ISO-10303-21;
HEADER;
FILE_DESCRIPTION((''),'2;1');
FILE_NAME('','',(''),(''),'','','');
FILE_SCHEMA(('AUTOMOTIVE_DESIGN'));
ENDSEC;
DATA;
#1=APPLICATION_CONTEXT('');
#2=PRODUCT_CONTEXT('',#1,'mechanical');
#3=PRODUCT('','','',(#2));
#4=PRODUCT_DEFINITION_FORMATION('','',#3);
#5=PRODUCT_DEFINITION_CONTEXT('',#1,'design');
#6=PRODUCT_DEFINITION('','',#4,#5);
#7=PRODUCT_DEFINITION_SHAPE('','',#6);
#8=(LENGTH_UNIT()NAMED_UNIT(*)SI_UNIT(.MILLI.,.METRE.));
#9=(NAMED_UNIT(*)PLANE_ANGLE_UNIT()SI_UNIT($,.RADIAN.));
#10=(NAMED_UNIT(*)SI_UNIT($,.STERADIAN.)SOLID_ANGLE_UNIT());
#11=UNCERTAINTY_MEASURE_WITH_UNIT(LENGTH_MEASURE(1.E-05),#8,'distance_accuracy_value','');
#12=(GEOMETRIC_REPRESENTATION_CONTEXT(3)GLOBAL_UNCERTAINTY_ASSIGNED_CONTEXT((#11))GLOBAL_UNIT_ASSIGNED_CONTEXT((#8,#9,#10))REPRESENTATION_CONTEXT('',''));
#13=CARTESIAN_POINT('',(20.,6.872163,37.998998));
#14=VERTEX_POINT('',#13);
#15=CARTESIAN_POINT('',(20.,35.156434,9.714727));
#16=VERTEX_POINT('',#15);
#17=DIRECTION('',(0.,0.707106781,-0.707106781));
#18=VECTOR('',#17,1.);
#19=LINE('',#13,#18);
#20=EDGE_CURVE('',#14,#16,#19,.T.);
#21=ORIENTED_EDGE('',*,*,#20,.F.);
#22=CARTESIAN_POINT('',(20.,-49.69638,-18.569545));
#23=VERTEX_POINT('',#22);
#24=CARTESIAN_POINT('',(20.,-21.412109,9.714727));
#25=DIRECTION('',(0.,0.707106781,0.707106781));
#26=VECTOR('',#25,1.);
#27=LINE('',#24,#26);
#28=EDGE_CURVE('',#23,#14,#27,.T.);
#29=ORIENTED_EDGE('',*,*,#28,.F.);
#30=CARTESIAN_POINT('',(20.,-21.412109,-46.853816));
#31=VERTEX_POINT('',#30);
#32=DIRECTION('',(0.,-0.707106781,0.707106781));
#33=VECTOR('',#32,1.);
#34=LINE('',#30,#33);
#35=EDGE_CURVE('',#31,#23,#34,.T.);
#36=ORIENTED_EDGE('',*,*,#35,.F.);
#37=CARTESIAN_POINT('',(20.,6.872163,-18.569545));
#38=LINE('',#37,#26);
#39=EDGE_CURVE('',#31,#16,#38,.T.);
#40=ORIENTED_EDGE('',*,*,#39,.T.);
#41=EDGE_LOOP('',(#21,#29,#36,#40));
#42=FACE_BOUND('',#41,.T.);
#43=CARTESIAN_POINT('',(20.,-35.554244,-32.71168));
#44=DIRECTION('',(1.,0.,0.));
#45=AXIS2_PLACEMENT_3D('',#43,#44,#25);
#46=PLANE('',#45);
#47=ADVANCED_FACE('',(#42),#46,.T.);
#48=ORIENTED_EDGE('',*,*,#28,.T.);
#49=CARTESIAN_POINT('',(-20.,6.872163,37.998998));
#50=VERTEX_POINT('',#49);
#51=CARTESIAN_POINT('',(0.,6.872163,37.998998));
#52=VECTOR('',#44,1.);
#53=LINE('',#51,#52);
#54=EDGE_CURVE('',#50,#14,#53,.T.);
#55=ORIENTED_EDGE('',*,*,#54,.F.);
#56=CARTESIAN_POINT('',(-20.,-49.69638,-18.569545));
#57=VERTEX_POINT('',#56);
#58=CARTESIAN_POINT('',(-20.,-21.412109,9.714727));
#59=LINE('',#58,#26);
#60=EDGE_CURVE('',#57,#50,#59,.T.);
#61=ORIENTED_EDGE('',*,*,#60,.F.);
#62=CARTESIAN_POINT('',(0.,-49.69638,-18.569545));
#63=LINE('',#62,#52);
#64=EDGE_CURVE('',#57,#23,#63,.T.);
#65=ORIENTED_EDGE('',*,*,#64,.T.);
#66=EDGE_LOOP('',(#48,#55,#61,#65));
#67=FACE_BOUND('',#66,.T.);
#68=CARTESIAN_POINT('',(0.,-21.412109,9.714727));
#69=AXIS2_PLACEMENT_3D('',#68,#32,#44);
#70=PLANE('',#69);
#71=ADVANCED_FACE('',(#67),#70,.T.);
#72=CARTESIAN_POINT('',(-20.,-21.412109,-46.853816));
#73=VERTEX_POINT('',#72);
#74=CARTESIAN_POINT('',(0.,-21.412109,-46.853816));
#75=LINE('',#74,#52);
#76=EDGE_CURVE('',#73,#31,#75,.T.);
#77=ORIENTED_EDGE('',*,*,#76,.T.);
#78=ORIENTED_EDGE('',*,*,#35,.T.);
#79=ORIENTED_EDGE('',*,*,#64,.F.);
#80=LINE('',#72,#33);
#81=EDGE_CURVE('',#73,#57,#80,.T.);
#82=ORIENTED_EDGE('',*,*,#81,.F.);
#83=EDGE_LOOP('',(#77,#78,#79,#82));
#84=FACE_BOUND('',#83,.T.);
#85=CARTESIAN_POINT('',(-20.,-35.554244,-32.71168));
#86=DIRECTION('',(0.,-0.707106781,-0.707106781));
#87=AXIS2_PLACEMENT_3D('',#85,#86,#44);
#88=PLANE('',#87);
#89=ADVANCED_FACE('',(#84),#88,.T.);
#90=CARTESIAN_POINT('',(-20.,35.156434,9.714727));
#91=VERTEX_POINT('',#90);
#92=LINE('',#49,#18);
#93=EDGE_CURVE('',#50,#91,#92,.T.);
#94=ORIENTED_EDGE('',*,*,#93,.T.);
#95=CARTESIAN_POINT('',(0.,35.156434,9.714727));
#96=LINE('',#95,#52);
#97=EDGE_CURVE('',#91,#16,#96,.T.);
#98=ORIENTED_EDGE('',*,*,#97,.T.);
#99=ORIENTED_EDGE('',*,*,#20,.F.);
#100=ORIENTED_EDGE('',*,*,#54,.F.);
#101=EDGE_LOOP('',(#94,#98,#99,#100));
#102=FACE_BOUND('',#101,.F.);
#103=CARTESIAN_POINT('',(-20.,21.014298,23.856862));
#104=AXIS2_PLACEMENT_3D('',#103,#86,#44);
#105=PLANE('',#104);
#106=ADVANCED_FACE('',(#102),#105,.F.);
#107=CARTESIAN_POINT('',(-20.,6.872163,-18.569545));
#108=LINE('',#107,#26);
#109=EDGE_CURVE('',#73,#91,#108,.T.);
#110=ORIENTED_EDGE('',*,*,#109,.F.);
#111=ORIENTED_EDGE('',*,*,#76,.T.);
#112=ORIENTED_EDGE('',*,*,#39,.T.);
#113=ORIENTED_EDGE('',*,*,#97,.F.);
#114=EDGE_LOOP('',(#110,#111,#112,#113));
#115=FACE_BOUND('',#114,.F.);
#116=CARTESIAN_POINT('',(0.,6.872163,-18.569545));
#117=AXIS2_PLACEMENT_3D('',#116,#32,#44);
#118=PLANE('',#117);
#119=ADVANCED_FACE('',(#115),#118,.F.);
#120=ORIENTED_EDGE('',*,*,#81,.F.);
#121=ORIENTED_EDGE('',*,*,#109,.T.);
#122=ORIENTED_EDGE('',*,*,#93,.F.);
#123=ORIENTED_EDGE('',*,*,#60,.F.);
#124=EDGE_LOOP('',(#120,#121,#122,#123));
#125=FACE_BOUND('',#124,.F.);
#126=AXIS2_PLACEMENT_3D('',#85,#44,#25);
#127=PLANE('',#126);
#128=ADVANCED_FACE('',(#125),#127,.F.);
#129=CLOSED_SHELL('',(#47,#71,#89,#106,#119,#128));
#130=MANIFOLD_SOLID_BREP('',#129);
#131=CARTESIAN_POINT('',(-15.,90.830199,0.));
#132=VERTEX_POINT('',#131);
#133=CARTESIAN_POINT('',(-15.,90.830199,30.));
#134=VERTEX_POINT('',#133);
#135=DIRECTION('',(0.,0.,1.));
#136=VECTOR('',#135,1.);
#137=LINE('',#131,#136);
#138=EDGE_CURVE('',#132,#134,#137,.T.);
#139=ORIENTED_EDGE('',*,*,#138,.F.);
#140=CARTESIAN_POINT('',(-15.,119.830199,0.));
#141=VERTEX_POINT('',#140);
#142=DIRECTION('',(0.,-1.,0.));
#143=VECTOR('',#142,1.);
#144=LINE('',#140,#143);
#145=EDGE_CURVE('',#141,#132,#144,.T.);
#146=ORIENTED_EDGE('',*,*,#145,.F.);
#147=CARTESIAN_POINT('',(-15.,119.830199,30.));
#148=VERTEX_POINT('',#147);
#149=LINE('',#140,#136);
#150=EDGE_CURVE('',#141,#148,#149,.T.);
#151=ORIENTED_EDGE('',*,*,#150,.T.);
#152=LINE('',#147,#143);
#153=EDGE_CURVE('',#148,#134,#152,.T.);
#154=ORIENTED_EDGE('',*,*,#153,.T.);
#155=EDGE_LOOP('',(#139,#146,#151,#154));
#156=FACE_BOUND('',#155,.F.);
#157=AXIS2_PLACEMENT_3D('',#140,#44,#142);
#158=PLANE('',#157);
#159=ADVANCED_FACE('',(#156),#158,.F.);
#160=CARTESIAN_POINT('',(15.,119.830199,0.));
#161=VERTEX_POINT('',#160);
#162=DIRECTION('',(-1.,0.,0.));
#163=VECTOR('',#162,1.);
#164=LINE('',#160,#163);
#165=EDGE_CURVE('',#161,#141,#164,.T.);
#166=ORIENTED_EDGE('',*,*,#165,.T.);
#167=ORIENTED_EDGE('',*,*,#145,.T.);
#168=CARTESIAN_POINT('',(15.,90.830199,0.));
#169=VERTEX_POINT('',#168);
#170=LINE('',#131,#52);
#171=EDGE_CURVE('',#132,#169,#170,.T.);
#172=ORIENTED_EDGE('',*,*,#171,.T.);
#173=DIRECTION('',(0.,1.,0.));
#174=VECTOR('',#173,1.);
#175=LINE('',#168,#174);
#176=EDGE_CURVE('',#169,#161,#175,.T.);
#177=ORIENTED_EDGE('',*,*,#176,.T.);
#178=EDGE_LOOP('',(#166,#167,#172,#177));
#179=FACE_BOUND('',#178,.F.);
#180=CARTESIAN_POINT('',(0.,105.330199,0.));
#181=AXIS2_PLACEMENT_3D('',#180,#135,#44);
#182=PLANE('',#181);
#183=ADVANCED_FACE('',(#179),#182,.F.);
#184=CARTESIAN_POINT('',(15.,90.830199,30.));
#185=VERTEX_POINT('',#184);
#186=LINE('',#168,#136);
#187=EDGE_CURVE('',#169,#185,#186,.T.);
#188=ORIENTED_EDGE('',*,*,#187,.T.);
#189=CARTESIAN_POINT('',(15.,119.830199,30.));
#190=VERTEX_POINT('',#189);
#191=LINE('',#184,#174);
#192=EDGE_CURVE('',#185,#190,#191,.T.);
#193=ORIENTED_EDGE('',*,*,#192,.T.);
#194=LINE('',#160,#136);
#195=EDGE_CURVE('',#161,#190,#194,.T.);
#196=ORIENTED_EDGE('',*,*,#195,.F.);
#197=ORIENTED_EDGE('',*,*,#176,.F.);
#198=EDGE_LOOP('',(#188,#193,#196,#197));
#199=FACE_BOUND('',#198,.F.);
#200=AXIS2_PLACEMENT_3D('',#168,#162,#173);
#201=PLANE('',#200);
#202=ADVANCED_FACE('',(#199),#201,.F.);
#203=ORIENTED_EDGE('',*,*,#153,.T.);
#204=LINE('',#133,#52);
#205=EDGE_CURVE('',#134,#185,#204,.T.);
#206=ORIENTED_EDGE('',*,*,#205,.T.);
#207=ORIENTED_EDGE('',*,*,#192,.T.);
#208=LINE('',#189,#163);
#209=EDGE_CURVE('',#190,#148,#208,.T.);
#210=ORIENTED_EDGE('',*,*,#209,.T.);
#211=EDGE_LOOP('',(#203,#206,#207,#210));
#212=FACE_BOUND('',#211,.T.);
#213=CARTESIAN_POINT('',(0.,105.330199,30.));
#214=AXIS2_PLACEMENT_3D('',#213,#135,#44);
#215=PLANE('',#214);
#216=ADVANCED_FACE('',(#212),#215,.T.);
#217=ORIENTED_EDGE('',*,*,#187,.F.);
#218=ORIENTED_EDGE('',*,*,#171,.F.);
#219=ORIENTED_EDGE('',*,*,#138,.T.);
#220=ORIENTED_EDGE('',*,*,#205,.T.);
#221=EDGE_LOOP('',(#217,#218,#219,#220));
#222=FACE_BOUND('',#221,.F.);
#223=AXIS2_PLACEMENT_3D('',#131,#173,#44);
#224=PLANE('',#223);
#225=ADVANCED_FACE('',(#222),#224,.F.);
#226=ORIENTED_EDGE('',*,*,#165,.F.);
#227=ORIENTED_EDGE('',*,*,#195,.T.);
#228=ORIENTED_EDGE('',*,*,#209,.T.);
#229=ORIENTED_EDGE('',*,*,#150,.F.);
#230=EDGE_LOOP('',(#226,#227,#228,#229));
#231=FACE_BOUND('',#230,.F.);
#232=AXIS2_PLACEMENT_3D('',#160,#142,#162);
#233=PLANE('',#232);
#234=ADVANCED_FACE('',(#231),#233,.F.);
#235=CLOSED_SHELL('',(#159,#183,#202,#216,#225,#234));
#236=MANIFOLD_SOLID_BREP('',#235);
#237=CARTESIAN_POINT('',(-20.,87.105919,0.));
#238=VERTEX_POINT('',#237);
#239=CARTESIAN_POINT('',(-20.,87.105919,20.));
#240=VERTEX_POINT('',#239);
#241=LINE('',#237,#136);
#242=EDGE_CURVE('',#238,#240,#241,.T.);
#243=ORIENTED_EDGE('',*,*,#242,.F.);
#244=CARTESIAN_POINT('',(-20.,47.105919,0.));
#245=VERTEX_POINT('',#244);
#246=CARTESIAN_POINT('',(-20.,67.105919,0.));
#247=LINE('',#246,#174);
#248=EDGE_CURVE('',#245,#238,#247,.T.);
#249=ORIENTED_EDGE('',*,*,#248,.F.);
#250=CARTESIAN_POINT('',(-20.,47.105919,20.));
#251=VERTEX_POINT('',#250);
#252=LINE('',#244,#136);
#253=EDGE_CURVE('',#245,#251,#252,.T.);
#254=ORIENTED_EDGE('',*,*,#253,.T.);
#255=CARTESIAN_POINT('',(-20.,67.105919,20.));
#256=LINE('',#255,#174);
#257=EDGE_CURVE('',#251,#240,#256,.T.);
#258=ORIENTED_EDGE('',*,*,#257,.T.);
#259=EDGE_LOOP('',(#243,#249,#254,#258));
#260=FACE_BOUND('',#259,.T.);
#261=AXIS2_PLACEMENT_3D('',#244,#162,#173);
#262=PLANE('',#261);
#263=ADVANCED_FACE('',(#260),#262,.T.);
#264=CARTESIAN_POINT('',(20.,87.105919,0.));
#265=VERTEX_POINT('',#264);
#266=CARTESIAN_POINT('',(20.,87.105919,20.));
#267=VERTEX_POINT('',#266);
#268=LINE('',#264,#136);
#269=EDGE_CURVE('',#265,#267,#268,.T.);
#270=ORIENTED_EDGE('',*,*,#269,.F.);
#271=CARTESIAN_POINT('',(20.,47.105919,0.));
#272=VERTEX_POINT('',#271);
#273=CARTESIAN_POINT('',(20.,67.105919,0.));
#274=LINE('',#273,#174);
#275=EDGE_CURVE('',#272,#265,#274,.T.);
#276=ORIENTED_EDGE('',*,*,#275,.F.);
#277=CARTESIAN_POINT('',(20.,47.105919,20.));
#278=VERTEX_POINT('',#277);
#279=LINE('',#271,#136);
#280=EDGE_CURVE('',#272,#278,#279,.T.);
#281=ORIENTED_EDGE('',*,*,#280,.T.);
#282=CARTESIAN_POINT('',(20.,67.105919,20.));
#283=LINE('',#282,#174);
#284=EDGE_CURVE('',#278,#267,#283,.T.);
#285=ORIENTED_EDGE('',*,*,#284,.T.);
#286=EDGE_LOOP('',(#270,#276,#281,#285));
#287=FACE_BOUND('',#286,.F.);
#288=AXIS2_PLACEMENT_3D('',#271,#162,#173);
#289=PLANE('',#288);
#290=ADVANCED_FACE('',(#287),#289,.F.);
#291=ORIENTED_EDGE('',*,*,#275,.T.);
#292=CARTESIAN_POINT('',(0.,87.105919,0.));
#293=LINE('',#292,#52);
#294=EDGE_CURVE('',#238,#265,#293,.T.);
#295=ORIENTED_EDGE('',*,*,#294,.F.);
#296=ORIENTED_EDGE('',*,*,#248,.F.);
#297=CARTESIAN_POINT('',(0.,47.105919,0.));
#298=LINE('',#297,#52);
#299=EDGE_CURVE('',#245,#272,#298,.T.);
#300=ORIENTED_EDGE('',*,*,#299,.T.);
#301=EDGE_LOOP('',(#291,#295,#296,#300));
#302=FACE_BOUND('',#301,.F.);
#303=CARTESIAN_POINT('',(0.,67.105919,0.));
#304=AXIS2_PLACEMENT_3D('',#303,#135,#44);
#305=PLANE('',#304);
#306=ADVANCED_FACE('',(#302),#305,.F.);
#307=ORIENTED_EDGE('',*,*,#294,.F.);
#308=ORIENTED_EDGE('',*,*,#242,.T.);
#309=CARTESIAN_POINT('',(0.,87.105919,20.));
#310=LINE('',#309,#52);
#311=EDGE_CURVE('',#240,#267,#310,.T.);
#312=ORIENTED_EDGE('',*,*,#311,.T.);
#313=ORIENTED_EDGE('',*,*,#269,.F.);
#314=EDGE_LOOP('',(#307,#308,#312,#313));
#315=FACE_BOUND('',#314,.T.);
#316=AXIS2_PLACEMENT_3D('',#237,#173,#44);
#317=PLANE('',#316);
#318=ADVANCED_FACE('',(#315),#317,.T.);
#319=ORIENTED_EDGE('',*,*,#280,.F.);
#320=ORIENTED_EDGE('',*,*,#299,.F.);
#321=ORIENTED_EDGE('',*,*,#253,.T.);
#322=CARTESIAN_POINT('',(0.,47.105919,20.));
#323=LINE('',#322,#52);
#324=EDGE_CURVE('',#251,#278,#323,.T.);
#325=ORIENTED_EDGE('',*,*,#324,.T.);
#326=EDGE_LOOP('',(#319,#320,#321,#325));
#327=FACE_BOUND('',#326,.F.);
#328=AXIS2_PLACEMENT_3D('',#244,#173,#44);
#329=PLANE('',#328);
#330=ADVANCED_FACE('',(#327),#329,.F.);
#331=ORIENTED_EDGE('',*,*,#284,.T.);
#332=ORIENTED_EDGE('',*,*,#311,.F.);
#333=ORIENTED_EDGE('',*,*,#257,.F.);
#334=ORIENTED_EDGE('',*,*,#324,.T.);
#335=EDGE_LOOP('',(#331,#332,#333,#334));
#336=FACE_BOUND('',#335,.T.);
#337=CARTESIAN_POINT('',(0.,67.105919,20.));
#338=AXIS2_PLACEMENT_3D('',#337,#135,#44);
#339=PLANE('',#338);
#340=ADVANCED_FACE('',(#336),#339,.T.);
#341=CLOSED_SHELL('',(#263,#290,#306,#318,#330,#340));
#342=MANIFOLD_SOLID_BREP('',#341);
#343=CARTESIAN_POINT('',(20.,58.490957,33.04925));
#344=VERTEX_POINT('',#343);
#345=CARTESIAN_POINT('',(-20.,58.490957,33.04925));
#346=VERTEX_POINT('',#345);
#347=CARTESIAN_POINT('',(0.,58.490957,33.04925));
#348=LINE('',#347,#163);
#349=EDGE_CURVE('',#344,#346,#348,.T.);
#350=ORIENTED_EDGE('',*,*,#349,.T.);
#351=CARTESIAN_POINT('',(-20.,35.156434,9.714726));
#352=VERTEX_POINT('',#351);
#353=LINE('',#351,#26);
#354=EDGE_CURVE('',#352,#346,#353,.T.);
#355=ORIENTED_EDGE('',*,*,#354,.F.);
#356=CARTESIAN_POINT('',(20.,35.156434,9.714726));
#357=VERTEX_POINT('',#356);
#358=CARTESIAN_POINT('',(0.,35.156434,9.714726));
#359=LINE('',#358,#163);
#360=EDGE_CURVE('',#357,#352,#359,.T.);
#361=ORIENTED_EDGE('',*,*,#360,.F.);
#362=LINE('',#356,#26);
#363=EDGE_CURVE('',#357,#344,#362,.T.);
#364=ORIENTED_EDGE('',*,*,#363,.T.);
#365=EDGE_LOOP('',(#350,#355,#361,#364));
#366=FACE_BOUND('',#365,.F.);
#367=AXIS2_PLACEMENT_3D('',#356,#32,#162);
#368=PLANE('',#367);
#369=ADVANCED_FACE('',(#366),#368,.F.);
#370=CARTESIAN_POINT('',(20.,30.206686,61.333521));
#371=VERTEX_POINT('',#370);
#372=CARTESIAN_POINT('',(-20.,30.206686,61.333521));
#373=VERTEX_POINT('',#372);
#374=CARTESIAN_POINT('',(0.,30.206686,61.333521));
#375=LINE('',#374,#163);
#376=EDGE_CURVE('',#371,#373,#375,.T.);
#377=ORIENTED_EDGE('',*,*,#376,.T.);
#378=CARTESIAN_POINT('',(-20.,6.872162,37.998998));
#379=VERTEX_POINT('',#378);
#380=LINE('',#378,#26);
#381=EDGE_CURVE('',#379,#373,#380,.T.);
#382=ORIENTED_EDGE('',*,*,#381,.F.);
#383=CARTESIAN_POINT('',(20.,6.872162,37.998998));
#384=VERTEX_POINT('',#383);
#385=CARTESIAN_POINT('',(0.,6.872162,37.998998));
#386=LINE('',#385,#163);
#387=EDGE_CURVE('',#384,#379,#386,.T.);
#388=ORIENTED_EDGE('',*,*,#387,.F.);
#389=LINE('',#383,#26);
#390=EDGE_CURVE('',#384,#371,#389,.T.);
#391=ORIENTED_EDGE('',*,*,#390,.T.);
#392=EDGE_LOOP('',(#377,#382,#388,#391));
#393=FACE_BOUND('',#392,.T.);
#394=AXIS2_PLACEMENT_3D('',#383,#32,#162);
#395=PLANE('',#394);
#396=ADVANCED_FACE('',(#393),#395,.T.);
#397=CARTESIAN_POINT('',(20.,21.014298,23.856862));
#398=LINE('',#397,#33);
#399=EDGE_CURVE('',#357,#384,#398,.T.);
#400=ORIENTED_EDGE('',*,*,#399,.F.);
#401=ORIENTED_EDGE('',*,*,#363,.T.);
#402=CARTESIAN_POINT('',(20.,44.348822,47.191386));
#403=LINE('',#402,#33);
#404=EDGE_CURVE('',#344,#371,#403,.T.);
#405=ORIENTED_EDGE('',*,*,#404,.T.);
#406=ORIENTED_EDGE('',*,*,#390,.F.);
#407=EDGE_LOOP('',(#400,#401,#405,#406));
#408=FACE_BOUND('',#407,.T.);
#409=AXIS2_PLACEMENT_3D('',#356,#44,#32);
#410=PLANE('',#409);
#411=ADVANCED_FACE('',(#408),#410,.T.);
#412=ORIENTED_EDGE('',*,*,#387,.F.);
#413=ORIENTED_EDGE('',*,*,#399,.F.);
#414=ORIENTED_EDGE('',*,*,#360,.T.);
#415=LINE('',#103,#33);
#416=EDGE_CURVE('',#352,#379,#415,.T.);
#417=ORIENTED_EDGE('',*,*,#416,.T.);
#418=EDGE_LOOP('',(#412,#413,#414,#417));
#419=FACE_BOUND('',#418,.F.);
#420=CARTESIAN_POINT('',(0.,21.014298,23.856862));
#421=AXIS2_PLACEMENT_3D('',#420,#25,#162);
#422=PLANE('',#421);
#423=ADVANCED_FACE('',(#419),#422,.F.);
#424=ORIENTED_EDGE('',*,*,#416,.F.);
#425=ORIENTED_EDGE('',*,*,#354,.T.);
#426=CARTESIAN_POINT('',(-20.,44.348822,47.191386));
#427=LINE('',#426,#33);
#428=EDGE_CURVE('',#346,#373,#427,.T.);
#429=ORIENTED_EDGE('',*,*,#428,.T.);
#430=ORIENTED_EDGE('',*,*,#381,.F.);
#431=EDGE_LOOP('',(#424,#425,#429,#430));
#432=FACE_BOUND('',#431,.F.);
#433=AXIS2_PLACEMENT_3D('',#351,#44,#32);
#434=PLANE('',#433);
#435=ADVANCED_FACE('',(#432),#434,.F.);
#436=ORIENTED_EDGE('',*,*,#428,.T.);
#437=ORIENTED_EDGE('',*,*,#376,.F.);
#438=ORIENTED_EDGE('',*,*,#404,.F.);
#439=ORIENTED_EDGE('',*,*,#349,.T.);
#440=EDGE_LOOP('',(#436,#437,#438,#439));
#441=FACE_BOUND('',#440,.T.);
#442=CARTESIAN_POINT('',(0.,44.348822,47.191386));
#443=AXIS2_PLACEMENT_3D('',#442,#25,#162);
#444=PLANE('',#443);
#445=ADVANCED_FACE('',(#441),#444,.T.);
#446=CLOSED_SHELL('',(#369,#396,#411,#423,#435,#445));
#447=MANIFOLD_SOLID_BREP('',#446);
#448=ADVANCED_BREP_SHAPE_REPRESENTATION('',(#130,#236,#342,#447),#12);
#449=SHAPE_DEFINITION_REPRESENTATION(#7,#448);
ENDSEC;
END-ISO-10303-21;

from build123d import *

# Parameters (mm, degrees)
F3_W      = 40
F3_H      = 80
F4_DEPTH  = 20
F5_W      = 40
F5_H      = 40
F6_DEPTH  = 20
F4_FACE_W = 40
F4_FACE_H = 40
F7_DEPTH  = 33
F9_DEPTH  = 30


with BuildPart() as f4:
    # F3 (on face) → F4 (new body, symmetric)
    with BuildSketch(Plane(origin=(0, -1.421282, 1.421282), x_dir=(1, 0, 0), z_dir=(0, -0.707107, 0.707107))):
        with Locations((0, -8.271298)):
            Rectangle(F3_W, F3_H)
    extrude(amount=F4_DEPTH, both=True)


with BuildPart() as f6:
    # F5 (on Top) → F6 (new body)
    with BuildSketch(Plane.XY):
        with Locations((0, 67.105919)):
            Rectangle(F5_W, F5_H)
    extrude(amount=F6_DEPTH)


with BuildPart() as f7:
    # F4_face (on face) → F7 (new body)
    with BuildSketch(Plane(origin=(0, 21.014298, 23.856862), x_dir=(-1, 0, 0), z_dir=(0, 0.707107, 0.707107))):
        Rectangle(F4_FACE_W, F4_FACE_H)
    extrude(amount=F7_DEPTH)


with BuildPart() as f9:
    # F8 (on Top) → F9 (new body)
    with BuildSketch(Plane.XY):
        Polygon((15, 90.830199), (15, 119.830199), (-15, 119.830199), (-15, 90.830199), (0, 90.830199), align=None)
    extrude(amount=F9_DEPTH)


solid = Compound([f4.part, f6.part, f7.part, f9.part])
